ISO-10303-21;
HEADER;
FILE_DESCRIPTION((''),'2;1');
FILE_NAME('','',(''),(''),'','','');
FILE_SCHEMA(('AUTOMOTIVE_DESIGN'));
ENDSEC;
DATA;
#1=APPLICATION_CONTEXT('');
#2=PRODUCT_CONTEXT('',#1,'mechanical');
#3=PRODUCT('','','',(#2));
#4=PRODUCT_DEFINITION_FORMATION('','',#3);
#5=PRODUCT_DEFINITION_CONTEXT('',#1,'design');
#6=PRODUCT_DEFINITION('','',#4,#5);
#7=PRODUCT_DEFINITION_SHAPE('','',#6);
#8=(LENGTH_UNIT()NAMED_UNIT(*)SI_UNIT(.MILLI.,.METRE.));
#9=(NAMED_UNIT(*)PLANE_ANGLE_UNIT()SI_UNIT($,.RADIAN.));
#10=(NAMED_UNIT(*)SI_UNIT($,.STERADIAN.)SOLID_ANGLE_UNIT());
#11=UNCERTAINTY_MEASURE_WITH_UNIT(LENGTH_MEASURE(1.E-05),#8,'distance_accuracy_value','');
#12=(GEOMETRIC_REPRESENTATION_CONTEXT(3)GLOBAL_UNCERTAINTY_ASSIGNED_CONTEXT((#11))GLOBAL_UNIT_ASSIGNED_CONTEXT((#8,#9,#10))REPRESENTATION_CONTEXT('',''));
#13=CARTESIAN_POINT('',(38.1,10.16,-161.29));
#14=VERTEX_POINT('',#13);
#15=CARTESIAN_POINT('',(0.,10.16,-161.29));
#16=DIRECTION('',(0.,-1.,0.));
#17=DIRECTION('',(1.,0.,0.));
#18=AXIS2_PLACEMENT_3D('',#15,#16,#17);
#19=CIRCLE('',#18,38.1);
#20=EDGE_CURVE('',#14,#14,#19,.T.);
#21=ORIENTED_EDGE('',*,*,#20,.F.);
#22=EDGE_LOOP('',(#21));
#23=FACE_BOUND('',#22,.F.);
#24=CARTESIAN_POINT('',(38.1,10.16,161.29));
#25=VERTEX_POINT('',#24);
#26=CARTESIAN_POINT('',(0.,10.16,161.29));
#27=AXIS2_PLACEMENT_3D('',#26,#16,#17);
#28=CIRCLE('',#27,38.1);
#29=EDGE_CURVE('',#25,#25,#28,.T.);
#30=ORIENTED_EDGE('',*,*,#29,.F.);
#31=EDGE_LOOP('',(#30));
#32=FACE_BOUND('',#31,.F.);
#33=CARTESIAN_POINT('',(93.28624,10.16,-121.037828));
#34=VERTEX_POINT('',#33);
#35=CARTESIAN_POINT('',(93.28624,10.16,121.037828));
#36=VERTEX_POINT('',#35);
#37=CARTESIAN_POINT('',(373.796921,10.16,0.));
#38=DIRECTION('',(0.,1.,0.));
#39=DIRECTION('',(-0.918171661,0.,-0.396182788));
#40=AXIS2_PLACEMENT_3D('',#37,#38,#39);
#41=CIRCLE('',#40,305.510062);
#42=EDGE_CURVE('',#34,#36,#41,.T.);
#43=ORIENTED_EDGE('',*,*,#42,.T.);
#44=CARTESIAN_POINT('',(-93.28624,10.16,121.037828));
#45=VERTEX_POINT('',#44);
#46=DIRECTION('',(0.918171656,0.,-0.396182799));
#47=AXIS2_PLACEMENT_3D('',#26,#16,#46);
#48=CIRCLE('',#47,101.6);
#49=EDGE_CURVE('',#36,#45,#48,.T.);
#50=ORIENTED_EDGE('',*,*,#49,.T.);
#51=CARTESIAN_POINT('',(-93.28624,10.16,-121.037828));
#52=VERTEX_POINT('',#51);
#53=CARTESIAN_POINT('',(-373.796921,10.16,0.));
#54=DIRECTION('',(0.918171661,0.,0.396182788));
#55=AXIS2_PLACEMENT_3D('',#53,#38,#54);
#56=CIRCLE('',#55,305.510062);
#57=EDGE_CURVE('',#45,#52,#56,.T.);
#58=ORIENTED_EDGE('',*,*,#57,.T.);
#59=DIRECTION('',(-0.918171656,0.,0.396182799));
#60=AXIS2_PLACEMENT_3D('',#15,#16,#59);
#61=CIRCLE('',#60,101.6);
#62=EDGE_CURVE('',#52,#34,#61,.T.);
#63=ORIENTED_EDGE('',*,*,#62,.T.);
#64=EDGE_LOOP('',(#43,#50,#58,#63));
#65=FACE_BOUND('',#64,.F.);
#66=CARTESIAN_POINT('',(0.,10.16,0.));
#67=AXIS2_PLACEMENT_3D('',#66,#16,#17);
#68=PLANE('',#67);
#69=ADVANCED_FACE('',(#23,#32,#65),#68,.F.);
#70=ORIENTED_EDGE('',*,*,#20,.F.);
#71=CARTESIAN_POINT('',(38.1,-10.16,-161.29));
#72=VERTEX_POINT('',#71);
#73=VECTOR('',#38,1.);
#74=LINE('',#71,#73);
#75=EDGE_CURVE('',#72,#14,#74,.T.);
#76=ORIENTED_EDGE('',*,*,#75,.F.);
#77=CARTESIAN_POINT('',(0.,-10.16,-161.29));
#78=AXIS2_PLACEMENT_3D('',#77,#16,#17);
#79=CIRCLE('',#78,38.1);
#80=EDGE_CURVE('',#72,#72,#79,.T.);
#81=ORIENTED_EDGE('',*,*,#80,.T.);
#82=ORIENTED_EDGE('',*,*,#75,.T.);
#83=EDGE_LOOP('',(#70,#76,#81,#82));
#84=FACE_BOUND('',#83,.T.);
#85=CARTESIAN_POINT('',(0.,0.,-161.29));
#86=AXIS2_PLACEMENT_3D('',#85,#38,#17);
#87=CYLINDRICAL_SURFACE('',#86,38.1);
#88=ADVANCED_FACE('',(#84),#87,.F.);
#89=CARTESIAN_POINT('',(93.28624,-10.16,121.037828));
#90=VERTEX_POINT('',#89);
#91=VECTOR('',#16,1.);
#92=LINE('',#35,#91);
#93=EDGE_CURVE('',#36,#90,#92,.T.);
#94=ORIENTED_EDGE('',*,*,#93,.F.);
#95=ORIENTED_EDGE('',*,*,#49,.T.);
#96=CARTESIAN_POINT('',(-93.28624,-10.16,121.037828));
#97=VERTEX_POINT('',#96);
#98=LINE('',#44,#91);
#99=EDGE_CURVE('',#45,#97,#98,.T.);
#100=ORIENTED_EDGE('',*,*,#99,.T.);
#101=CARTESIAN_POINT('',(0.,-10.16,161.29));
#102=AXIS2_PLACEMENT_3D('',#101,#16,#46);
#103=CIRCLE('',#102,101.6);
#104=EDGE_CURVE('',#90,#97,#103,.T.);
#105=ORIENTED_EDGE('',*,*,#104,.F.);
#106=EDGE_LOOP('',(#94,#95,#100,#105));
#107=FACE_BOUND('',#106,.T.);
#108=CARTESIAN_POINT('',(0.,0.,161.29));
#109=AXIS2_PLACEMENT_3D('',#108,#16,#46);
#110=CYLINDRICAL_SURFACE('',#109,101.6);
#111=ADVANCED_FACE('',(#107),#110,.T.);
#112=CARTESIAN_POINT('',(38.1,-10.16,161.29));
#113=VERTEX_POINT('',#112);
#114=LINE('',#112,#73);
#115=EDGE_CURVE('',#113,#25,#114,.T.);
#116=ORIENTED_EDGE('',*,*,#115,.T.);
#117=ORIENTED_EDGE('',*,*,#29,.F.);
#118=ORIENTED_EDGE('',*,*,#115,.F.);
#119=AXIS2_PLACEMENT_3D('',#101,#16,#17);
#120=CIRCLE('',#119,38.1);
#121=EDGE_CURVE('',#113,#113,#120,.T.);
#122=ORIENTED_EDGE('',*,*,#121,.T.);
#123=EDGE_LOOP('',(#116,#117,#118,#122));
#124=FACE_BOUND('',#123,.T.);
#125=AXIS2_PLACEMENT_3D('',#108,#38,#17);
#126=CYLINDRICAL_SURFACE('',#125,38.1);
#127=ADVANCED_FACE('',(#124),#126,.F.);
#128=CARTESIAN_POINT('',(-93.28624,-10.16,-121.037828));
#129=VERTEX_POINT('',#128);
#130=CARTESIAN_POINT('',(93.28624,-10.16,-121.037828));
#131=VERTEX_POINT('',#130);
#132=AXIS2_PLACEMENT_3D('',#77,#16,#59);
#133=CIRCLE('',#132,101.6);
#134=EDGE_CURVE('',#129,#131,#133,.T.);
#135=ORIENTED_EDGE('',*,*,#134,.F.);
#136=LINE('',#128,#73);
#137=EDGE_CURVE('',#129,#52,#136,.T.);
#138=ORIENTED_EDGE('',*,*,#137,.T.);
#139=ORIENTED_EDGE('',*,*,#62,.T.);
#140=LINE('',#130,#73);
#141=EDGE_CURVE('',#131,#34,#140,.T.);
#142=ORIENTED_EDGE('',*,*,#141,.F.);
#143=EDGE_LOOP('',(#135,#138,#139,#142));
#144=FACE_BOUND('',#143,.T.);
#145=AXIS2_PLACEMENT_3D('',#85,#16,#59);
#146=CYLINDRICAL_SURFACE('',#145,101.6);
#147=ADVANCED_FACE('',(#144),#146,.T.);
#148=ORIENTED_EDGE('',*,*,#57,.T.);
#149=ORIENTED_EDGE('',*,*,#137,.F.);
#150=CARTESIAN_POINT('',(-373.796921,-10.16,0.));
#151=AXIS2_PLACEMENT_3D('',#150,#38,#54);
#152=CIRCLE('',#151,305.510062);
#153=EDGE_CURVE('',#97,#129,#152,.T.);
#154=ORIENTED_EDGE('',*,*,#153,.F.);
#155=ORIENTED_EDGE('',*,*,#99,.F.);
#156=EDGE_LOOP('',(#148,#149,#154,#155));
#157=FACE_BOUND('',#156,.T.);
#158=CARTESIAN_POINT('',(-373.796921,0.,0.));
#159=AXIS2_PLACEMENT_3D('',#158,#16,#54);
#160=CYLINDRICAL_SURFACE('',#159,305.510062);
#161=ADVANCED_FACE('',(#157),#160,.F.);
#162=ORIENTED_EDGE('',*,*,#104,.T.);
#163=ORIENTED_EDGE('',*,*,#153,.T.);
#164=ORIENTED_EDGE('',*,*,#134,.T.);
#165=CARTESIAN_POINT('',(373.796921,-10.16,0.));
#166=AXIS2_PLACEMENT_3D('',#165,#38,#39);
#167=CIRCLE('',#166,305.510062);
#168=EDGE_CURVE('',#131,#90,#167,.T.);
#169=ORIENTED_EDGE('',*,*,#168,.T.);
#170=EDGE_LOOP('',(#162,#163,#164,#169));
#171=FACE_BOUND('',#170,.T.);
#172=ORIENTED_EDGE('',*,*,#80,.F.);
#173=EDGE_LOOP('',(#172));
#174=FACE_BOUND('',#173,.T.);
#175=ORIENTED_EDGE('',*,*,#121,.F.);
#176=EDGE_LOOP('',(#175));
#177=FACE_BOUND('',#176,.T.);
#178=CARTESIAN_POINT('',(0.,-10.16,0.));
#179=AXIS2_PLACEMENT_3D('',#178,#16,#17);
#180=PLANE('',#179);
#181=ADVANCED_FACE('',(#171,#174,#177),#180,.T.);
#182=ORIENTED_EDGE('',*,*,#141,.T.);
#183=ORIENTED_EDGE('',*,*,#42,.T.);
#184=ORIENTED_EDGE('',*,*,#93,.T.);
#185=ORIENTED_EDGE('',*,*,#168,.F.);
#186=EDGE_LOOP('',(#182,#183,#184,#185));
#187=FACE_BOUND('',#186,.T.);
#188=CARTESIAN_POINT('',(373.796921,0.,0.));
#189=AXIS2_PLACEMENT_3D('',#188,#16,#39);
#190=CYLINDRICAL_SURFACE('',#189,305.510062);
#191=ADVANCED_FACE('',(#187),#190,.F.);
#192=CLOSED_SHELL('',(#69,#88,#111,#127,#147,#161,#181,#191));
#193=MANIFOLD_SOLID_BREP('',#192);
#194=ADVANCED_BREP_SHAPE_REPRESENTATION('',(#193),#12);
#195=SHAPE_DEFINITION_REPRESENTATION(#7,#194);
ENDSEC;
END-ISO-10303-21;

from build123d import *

# Parameters (mm, degrees)
F0_R     = 38.1
F1_DEPTH = 10.16


with BuildPart() as f1:
    # F0 (on Front) → F1 (new body, symmetric)
    with BuildSketch(Plane.XZ):
        with BuildLine():
            ThreePointArc((93.28624, -121.037828), (68.286859, 0), (93.28624, 121.037828))
            ThreePointArc((93.28624, 121.037828), (0, 262.89), (-93.28624, 121.037828))
            ThreePointArc((-93.28624, 121.037828), (-68.286859, 0), (-93.28624, -121.037828))
            ThreePointArc((-93.28624, -121.037828), (0, -262.89), (93.28624, -121.037828))
        make_face()
        with Locations((0, -161.29)):
            Circle(F0_R, mode=Mode.SUBTRACT)
        with Locations((0, 161.29)):
            Circle(F0_R, mode=Mode.SUBTRACT)
    extrude(amount=F1_DEPTH, both=True)


solid = f1.part
